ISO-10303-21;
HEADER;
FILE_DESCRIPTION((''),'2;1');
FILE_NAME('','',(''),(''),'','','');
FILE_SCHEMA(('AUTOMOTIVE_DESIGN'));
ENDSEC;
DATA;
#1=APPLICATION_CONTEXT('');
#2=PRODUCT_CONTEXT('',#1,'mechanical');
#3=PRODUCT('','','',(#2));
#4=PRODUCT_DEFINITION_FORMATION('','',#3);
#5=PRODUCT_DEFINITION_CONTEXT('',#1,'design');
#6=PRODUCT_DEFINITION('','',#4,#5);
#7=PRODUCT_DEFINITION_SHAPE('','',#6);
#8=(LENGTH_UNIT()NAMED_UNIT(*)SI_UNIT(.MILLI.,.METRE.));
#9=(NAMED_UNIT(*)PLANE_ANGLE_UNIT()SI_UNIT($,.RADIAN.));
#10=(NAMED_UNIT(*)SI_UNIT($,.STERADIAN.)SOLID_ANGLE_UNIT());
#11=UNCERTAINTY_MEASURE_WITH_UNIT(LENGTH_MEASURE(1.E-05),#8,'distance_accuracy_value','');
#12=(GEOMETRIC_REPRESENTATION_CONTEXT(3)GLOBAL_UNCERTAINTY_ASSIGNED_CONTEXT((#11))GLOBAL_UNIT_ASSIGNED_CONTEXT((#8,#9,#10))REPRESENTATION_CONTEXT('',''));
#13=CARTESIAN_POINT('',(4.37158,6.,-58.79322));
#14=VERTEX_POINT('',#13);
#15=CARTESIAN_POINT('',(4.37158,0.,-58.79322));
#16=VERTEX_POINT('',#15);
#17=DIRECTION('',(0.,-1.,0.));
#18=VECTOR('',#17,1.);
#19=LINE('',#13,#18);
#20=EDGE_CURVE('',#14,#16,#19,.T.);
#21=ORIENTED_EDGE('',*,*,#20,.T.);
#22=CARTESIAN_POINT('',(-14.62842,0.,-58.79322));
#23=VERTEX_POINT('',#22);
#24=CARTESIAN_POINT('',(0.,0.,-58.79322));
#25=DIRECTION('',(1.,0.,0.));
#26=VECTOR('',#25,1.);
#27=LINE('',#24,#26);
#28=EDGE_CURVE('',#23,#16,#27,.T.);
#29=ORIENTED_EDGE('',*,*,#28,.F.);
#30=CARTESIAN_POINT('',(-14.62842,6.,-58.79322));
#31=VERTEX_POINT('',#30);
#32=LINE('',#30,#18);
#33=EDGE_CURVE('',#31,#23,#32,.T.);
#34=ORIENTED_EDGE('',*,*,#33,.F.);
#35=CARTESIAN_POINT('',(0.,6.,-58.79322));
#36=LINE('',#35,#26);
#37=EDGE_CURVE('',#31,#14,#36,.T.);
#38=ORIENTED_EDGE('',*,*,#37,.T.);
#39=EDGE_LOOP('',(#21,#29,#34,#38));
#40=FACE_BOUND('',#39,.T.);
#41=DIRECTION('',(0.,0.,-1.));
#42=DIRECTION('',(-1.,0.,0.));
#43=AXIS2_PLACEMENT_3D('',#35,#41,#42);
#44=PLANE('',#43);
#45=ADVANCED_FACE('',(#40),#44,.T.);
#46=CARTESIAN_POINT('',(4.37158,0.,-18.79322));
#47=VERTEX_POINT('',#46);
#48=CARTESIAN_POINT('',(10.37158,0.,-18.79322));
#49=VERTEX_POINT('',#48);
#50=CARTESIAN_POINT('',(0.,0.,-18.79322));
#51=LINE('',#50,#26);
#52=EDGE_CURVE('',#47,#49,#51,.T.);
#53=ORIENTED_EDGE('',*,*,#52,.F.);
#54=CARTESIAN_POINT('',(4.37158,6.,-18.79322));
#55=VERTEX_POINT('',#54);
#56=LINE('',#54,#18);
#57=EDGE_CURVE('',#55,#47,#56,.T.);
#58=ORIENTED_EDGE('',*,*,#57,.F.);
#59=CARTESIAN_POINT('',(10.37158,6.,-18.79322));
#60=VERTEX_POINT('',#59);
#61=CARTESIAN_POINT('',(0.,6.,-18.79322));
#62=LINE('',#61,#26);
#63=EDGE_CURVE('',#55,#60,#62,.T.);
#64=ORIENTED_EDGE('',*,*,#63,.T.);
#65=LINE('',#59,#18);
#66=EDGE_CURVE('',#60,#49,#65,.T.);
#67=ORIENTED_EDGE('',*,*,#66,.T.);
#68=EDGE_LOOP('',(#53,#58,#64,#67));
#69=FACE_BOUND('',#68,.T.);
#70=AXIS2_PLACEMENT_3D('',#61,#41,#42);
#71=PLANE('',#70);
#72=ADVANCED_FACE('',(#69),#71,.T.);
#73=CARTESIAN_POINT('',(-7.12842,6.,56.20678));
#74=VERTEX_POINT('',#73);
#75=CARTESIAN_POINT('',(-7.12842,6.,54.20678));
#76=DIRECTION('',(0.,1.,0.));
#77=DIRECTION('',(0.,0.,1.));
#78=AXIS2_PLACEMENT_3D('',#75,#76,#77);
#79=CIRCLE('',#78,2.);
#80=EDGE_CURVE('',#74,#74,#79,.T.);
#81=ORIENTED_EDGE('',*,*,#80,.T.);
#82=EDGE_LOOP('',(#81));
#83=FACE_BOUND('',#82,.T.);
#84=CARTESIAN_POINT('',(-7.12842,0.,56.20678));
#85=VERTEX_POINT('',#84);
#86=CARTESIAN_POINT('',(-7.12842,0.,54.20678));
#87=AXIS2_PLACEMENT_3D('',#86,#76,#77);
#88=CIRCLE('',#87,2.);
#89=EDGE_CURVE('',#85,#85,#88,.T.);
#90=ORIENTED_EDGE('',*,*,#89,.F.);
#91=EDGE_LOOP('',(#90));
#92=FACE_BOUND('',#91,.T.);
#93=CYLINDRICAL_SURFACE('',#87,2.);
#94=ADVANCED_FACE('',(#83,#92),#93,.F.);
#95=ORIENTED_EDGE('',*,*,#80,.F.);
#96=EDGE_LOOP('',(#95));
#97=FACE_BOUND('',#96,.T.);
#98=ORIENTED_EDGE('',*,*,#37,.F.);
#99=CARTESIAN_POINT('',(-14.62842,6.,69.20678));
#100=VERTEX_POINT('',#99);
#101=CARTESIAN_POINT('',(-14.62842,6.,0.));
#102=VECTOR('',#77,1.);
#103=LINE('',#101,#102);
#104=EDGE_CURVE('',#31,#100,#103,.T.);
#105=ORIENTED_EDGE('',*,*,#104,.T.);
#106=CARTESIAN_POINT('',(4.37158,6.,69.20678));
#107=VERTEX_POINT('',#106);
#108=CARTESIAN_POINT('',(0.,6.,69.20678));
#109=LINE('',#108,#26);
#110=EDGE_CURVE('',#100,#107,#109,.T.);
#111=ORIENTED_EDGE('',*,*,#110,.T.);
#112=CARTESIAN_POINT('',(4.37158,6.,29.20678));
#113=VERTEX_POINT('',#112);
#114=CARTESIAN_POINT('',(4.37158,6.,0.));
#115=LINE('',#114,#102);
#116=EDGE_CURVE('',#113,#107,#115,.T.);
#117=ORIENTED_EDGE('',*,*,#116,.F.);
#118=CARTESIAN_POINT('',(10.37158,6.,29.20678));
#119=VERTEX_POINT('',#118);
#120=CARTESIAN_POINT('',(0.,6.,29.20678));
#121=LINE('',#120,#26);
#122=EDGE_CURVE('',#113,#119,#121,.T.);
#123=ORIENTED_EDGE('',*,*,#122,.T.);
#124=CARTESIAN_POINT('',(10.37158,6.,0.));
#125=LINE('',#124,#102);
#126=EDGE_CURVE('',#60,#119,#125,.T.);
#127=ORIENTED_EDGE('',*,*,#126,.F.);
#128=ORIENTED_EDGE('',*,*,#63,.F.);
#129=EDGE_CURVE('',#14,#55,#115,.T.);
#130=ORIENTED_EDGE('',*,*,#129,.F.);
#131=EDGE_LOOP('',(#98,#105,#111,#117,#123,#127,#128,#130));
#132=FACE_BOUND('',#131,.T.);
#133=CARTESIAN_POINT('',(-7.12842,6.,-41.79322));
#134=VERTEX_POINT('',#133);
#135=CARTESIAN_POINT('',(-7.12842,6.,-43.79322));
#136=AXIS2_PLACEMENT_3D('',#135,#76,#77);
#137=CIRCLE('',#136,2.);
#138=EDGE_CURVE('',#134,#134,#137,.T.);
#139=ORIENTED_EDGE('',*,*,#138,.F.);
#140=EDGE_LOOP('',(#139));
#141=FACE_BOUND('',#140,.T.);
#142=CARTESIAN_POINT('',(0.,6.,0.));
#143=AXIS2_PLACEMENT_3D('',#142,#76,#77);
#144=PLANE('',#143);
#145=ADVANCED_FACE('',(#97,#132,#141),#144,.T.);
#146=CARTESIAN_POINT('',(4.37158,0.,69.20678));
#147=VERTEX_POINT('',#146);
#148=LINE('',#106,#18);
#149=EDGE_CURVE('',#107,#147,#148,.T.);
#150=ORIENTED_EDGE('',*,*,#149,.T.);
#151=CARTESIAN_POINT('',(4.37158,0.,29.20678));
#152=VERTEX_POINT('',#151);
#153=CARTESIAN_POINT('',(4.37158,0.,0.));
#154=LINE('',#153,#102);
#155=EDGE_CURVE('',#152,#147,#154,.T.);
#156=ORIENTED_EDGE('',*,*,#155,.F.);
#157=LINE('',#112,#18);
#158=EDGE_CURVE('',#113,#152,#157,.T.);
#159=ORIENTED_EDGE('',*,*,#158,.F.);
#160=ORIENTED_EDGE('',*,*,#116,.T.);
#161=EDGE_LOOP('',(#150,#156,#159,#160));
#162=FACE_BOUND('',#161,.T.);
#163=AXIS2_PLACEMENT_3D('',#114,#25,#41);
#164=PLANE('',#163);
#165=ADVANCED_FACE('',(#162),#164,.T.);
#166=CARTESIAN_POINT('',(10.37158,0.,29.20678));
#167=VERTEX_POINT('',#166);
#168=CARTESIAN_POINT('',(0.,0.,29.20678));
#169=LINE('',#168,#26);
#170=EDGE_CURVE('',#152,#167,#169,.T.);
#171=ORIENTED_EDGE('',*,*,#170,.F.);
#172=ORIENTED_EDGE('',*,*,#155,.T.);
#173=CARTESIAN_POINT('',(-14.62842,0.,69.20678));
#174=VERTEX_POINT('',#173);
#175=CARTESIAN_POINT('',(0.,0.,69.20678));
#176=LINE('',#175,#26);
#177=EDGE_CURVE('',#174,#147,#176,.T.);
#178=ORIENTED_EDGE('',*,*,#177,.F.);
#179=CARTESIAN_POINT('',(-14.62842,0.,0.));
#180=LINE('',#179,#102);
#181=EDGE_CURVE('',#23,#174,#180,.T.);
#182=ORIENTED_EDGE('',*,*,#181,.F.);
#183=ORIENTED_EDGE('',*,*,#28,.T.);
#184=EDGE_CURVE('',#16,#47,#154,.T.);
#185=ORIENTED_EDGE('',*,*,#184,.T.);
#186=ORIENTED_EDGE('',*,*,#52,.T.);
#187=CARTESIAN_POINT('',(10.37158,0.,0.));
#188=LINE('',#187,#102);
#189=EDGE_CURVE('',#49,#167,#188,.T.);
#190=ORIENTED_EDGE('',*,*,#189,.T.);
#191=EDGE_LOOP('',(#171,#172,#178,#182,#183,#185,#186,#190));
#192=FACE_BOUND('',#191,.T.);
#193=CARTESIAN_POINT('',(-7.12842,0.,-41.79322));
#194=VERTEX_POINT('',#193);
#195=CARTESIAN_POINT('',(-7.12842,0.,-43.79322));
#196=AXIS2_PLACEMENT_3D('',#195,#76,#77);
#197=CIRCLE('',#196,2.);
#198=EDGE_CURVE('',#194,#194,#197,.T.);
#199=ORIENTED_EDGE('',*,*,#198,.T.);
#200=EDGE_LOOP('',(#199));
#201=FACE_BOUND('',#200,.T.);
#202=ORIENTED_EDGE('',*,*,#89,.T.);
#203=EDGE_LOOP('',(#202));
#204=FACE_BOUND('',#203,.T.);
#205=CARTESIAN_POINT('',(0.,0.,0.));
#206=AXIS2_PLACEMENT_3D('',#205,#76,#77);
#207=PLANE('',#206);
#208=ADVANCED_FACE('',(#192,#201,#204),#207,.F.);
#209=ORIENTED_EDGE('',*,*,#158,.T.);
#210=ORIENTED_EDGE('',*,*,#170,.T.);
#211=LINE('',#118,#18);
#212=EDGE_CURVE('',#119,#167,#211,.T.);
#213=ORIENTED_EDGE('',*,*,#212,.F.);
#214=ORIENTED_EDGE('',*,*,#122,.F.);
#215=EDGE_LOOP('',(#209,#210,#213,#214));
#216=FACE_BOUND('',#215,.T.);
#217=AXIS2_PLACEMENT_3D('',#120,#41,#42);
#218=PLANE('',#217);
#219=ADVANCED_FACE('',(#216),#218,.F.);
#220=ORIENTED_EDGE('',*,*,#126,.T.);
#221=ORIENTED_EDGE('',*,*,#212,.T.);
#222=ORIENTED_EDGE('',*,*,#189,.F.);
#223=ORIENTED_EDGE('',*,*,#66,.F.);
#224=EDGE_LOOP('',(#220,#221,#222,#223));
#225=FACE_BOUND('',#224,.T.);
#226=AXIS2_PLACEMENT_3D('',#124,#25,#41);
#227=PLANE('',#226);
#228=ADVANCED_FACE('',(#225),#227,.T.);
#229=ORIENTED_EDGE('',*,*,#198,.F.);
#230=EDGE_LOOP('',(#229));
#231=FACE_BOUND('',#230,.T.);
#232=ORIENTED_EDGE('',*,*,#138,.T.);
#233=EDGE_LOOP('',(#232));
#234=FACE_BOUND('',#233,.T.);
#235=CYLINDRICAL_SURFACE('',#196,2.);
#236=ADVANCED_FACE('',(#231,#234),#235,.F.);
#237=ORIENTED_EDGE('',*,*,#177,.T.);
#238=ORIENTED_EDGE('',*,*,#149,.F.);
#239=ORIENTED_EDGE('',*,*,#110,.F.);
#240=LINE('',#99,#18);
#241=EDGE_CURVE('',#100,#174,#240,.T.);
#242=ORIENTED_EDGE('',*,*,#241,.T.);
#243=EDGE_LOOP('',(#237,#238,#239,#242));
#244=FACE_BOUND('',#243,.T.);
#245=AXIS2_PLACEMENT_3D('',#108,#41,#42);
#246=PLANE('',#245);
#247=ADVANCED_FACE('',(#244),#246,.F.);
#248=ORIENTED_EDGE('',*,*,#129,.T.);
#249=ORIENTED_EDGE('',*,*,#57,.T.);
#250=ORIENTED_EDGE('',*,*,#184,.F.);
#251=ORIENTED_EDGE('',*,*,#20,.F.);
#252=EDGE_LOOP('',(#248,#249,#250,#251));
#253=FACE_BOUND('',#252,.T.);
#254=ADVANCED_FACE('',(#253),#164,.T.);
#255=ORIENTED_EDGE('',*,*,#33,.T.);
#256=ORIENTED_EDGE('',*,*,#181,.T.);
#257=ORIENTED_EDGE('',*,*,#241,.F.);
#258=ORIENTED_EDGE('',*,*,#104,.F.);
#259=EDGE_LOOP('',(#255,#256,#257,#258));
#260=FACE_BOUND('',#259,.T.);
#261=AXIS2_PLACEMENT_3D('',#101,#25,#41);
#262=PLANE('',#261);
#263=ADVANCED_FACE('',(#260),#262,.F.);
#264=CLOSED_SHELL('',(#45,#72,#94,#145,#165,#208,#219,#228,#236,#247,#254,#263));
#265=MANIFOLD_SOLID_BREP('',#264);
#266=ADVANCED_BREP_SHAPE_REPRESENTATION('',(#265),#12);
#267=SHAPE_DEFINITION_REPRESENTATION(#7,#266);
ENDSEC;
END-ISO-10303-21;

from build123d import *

# Parameters (mm, degrees)
BOSS_EXTRUDE1_DEPTH = 6
SKETCH2_R           = 2
CUT_EXTRUDE1_DEPTH  = 71.989922019


with BuildPart() as part:
    # Sketch1 → Boss-Extrude1 (new body)
    with BuildSketch(Plane(origin=(0, 0, 0), x_dir=(1, 0, 0), z_dir=(0, 1, 0))):
        Polygon((4.371579812, 18.793220339), (4.371579812, 58.793220339), (-14.628420188, 58.793220339), (-14.628420188, -69.206779661), (4.371579812, -69.206779661), (4.371579812, -29.206779661), (10.371579812, -29.206779661), (10.371579812, 18.793220339), align=None)
    extrude(amount=BOSS_EXTRUDE1_DEPTH)

    # Sketch2 → Cut-Extrude1 (cut, through all)
    with BuildSketch(Plane(origin=(0, 6, 0), x_dir=(1, 0, 0), z_dir=(0, 1, 0))):
        with Locations((-7.128420188, -54.206779661)):
            Circle(SKETCH2_R)
        with Locations((-7.128420188, 43.793220339)):
            Circle(SKETCH2_R)
    extrude(amount=-CUT_EXTRUDE1_DEPTH, mode=Mode.SUBTRACT)


solid = part.part
